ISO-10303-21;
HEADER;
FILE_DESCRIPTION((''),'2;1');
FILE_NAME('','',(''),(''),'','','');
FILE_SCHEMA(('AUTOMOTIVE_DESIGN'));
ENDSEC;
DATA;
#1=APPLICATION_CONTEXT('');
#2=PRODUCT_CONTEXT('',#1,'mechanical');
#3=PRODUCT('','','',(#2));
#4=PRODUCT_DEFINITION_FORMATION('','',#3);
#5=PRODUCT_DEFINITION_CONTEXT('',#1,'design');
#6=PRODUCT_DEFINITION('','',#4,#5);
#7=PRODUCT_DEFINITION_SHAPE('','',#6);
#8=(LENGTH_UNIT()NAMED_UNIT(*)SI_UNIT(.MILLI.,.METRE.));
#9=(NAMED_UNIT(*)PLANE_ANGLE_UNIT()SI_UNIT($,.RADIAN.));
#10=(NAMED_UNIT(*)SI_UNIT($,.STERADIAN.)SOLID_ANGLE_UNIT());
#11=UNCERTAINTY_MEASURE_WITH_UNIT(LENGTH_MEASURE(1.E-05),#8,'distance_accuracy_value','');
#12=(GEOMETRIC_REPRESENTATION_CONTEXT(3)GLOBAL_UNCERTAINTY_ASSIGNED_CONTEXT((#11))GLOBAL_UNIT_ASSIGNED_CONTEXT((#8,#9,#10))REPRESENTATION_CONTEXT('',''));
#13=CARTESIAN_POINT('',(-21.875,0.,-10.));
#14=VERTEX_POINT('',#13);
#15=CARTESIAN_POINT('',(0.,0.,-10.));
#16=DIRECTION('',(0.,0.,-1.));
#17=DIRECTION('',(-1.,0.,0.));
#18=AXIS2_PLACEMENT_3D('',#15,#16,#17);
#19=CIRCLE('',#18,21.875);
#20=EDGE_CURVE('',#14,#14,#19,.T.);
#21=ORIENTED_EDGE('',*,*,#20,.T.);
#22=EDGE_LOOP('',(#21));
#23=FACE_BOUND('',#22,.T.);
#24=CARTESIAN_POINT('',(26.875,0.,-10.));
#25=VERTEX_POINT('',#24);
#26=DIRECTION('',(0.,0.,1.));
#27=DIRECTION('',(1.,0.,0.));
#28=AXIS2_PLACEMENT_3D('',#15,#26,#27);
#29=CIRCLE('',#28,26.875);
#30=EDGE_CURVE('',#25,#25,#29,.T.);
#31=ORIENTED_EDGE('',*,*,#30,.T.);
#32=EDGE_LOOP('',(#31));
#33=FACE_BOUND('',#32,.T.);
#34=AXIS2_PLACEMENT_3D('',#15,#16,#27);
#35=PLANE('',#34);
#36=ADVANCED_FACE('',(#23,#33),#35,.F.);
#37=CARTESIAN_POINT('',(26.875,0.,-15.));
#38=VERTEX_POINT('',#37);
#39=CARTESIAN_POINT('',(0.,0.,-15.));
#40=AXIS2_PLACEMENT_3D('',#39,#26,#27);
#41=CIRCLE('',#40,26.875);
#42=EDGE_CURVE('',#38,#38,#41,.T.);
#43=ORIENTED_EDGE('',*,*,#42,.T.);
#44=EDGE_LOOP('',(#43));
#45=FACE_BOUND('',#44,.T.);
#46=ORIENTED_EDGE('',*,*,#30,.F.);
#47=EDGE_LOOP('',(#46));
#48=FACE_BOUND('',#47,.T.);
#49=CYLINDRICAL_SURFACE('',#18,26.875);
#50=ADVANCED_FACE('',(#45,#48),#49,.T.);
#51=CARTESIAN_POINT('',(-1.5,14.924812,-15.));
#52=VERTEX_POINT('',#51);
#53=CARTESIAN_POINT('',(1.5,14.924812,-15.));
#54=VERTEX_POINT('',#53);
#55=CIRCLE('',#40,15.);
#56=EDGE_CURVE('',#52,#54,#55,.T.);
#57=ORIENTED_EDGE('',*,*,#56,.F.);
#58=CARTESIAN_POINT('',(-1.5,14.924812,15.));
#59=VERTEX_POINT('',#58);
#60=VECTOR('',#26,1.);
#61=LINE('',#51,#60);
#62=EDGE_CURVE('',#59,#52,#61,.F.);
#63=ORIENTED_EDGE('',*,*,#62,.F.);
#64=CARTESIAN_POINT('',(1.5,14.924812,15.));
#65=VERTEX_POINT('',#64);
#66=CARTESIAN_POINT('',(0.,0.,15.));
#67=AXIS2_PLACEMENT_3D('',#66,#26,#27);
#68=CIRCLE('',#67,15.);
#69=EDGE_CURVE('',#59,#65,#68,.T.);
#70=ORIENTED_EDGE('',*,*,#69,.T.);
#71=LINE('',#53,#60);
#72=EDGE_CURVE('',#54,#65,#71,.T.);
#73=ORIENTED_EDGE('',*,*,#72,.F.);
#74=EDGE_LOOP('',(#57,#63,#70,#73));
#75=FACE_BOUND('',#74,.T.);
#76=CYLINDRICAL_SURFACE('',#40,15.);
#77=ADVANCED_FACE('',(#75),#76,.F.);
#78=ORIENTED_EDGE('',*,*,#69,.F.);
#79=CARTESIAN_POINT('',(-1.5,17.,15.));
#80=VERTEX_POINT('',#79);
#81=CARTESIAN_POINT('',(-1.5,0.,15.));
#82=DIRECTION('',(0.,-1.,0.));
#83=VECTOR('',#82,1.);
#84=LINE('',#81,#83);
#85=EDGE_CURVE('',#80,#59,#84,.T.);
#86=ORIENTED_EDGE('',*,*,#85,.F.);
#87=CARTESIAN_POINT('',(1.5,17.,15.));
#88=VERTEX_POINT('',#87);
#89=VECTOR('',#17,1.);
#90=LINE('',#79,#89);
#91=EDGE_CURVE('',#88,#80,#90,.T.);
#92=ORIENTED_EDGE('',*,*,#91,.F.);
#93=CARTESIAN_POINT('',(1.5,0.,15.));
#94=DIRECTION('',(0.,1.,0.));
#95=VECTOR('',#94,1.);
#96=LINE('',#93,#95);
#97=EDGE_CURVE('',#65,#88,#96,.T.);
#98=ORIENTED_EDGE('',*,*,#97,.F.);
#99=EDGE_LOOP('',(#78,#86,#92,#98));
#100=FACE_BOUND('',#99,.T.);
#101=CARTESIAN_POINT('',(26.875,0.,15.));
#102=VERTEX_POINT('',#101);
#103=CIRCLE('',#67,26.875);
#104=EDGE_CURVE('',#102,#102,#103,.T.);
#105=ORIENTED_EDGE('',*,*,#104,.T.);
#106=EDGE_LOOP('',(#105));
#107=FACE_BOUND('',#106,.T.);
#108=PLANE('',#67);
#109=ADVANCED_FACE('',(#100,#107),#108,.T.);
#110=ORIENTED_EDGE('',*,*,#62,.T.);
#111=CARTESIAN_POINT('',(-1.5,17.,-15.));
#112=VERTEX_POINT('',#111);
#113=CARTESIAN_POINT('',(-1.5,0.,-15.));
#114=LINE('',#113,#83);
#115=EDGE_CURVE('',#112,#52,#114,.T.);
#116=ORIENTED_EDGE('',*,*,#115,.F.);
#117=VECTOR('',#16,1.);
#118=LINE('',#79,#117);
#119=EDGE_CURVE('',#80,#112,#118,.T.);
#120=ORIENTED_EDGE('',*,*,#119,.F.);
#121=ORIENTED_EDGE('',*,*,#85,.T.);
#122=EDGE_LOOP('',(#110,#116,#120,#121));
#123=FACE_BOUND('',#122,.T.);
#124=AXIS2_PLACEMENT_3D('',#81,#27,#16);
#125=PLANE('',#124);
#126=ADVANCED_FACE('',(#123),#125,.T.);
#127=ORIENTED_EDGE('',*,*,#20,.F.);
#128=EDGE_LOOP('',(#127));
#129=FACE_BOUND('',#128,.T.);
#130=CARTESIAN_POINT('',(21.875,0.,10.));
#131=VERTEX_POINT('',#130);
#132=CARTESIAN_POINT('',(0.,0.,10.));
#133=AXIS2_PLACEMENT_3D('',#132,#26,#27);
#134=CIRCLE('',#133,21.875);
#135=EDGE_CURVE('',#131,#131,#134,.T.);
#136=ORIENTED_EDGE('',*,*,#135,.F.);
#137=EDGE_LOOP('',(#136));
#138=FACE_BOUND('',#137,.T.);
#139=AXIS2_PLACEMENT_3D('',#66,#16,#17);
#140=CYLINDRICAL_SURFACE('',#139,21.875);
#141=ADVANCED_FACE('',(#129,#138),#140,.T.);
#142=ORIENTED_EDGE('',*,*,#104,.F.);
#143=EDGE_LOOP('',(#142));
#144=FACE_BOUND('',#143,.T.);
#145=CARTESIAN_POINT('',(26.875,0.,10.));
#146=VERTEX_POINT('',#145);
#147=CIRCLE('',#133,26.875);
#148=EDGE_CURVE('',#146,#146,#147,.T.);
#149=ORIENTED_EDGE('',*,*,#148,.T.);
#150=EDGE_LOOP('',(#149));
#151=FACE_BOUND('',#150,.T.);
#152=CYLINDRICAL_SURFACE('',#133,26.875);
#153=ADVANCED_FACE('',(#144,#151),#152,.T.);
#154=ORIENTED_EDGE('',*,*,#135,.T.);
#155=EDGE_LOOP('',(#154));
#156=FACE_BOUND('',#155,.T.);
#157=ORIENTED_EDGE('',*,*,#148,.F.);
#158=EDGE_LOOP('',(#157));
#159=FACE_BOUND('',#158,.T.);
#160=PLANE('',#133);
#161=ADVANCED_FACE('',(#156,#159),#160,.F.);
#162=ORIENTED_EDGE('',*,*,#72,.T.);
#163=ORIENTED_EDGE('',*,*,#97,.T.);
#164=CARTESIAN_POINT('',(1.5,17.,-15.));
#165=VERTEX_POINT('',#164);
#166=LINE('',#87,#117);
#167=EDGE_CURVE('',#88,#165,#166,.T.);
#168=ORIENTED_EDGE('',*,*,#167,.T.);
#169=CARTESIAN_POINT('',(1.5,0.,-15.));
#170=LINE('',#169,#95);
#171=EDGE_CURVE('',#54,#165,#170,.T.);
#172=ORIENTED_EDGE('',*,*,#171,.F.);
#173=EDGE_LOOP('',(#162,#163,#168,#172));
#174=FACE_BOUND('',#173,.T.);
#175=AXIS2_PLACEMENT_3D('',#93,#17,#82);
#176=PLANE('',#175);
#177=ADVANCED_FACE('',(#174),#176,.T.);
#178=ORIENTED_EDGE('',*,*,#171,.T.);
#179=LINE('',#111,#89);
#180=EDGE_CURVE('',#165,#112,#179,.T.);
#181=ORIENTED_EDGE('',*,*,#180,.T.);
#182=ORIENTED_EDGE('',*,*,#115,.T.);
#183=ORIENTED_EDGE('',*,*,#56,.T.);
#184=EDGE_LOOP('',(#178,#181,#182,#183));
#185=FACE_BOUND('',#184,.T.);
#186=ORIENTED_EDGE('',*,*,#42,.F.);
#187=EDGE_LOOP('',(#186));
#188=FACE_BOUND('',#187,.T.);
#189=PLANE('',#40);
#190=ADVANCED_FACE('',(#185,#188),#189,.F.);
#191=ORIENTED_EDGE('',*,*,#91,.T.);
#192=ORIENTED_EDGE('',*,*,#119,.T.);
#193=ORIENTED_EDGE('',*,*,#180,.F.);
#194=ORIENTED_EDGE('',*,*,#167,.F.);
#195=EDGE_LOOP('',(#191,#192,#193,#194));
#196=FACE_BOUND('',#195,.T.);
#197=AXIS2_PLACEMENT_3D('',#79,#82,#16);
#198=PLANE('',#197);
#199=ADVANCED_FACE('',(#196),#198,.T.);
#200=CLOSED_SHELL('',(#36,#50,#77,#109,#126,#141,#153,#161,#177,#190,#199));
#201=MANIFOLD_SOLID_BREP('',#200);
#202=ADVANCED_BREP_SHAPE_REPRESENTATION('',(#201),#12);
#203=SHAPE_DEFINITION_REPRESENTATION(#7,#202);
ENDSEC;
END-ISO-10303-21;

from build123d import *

# Parameters (mm, degrees)
SKETCH_1_R               = 21.875
EXTRUDE_1_DEPTH          = 15
PATTERN_CIRCULAR_1_COUNT = 20
SKETCH_3_R               = 15
CUT_EXTRUDE_1_DEPTH      = 44.09328544
CUT_EXTRUDE_4_DEPTH      = 35.380681349
CUT_EXTRUDE_4_DEPTH_BACK = 35.380681349
SKETCH_6_W               = 3
SKETCH_6_H               = 17
SKETCH_7_R               = 26.875
SKETCH_7_R_2             = 21.875
EXTRUDE_2_DEPTH          = 5


with BuildPart() as part:
    # 草图1 → 凸台-拉伸1 (new, symmetric)
    with BuildSketch(Plane.XY):
        Circle(SKETCH_1_R)
    extrude(amount=EXTRUDE_1_DEPTH, both=True)


with BuildPart() as pattern_circular_1_1:
    # 阵列(圆周)1: pattern copy
    add(part.part.rotate(Axis((0, 0, 15), (0, 0, 1)), 1 * 360 / PATTERN_CIRCULAR_1_COUNT))


with BuildPart() as pattern_circular_1_2:
    # 阵列(圆周)1: pattern copy
    add(part.part.rotate(Axis((0, 0, 15), (0, 0, 1)), 2 * 360 / PATTERN_CIRCULAR_1_COUNT))


with BuildPart() as pattern_circular_1_3:
    # 阵列(圆周)1: pattern copy
    add(part.part.rotate(Axis((0, 0, 15), (0, 0, 1)), 3 * 360 / PATTERN_CIRCULAR_1_COUNT))


with BuildPart() as pattern_circular_1_4:
    # 阵列(圆周)1: pattern copy
    add(part.part.rotate(Axis((0, 0, 15), (0, 0, 1)), 4 * 360 / PATTERN_CIRCULAR_1_COUNT))


with BuildPart() as pattern_circular_1_5:
    # 阵列(圆周)1: pattern copy
    add(part.part.rotate(Axis((0, 0, 15), (0, 0, 1)), 5 * 360 / PATTERN_CIRCULAR_1_COUNT))


with BuildPart() as pattern_circular_1_6:
    # 阵列(圆周)1: pattern copy
    add(part.part.rotate(Axis((0, 0, 15), (0, 0, 1)), 6 * 360 / PATTERN_CIRCULAR_1_COUNT))


with BuildPart() as pattern_circular_1_7:
    # 阵列(圆周)1: pattern copy
    add(part.part.rotate(Axis((0, 0, 15), (0, 0, 1)), 7 * 360 / PATTERN_CIRCULAR_1_COUNT))


with BuildPart() as pattern_circular_1_8:
    # 阵列(圆周)1: pattern copy
    add(part.part.rotate(Axis((0, 0, 15), (0, 0, 1)), 8 * 360 / PATTERN_CIRCULAR_1_COUNT))


with BuildPart() as pattern_circular_1_9:
    # 阵列(圆周)1: pattern copy
    add(part.part.rotate(Axis((0, 0, 15), (0, 0, 1)), 9 * 360 / PATTERN_CIRCULAR_1_COUNT))


with BuildPart() as pattern_circular_1_10:
    # 阵列(圆周)1: pattern copy
    add(part.part.rotate(Axis((0, 0, 15), (0, 0, 1)), 10 * 360 / PATTERN_CIRCULAR_1_COUNT))


with BuildPart() as pattern_circular_1_11:
    # 阵列(圆周)1: pattern copy
    add(part.part.rotate(Axis((0, 0, 15), (0, 0, 1)), 11 * 360 / PATTERN_CIRCULAR_1_COUNT))


with BuildPart() as pattern_circular_1_12:
    # 阵列(圆周)1: pattern copy
    add(part.part.rotate(Axis((0, 0, 15), (0, 0, 1)), 12 * 360 / PATTERN_CIRCULAR_1_COUNT))


with BuildPart() as pattern_circular_1_13:
    # 阵列(圆周)1: pattern copy
    add(part.part.rotate(Axis((0, 0, 15), (0, 0, 1)), 13 * 360 / PATTERN_CIRCULAR_1_COUNT))


with BuildPart() as pattern_circular_1_14:
    # 阵列(圆周)1: pattern copy
    add(part.part.rotate(Axis((0, 0, 15), (0, 0, 1)), 14 * 360 / PATTERN_CIRCULAR_1_COUNT))


with BuildPart() as pattern_circular_1_15:
    # 阵列(圆周)1: pattern copy
    add(part.part.rotate(Axis((0, 0, 15), (0, 0, 1)), 15 * 360 / PATTERN_CIRCULAR_1_COUNT))


with BuildPart() as pattern_circular_1_16:
    # 阵列(圆周)1: pattern copy
    add(part.part.rotate(Axis((0, 0, 15), (0, 0, 1)), 16 * 360 / PATTERN_CIRCULAR_1_COUNT))


with BuildPart() as pattern_circular_1_17:
    # 阵列(圆周)1: pattern copy
    add(part.part.rotate(Axis((0, 0, 15), (0, 0, 1)), 17 * 360 / PATTERN_CIRCULAR_1_COUNT))


with BuildPart() as pattern_circular_1_18:
    # 阵列(圆周)1: pattern copy
    add(part.part.rotate(Axis((0, 0, 15), (0, 0, 1)), 18 * 360 / PATTERN_CIRCULAR_1_COUNT))


with BuildPart() as pattern_circular_1_19:
    # 阵列(圆周)1: pattern copy
    add(part.part.rotate(Axis((0, 0, 15), (0, 0, 1)), 19 * 360 / PATTERN_CIRCULAR_1_COUNT))


with BuildPart() as cut_extrude_1_tool:
    # 草图3 → 切除-拉伸1 (new, through all)
    with BuildSketch(Plane.XY.offset(15)):
        Circle(SKETCH_3_R)
    extrude(amount=-CUT_EXTRUDE_1_DEPTH)


with BuildPart() as part_1:
    add(part.part)

    # 切除-拉伸1: cut by cut_extrude_1_tool
    add(cut_extrude_1_tool.part, mode=Mode.SUBTRACT)


with BuildPart() as pattern_circular_1_1_1:
    add(pattern_circular_1_1.part)

    # 切除-拉伸1: cut by cut_extrude_1_tool
    add(cut_extrude_1_tool.part, mode=Mode.SUBTRACT)


with BuildPart() as pattern_circular_1_2_1:
    add(pattern_circular_1_2.part)

    # 切除-拉伸1: cut by cut_extrude_1_tool
    add(cut_extrude_1_tool.part, mode=Mode.SUBTRACT)


with BuildPart() as pattern_circular_1_3_1:
    add(pattern_circular_1_3.part)

    # 切除-拉伸1: cut by cut_extrude_1_tool
    add(cut_extrude_1_tool.part, mode=Mode.SUBTRACT)


with BuildPart() as pattern_circular_1_4_1:
    add(pattern_circular_1_4.part)

    # 切除-拉伸1: cut by cut_extrude_1_tool
    add(cut_extrude_1_tool.part, mode=Mode.SUBTRACT)


with BuildPart() as pattern_circular_1_5_1:
    add(pattern_circular_1_5.part)

    # 切除-拉伸1: cut by cut_extrude_1_tool
    add(cut_extrude_1_tool.part, mode=Mode.SUBTRACT)


with BuildPart() as pattern_circular_1_6_1:
    add(pattern_circular_1_6.part)

    # 切除-拉伸1: cut by cut_extrude_1_tool
    add(cut_extrude_1_tool.part, mode=Mode.SUBTRACT)


with BuildPart() as pattern_circular_1_7_1:
    add(pattern_circular_1_7.part)

    # 切除-拉伸1: cut by cut_extrude_1_tool
    add(cut_extrude_1_tool.part, mode=Mode.SUBTRACT)


with BuildPart() as pattern_circular_1_8_1:
    add(pattern_circular_1_8.part)

    # 切除-拉伸1: cut by cut_extrude_1_tool
    add(cut_extrude_1_tool.part, mode=Mode.SUBTRACT)


with BuildPart() as pattern_circular_1_9_1:
    add(pattern_circular_1_9.part)

    # 切除-拉伸1: cut by cut_extrude_1_tool
    add(cut_extrude_1_tool.part, mode=Mode.SUBTRACT)


with BuildPart() as pattern_circular_1_10_1:
    add(pattern_circular_1_10.part)

    # 切除-拉伸1: cut by cut_extrude_1_tool
    add(cut_extrude_1_tool.part, mode=Mode.SUBTRACT)


with BuildPart() as pattern_circular_1_11_1:
    add(pattern_circular_1_11.part)

    # 切除-拉伸1: cut by cut_extrude_1_tool
    add(cut_extrude_1_tool.part, mode=Mode.SUBTRACT)


with BuildPart() as pattern_circular_1_12_1:
    add(pattern_circular_1_12.part)

    # 切除-拉伸1: cut by cut_extrude_1_tool
    add(cut_extrude_1_tool.part, mode=Mode.SUBTRACT)


with BuildPart() as pattern_circular_1_13_1:
    add(pattern_circular_1_13.part)

    # 切除-拉伸1: cut by cut_extrude_1_tool
    add(cut_extrude_1_tool.part, mode=Mode.SUBTRACT)


with BuildPart() as pattern_circular_1_14_1:
    add(pattern_circular_1_14.part)

    # 切除-拉伸1: cut by cut_extrude_1_tool
    add(cut_extrude_1_tool.part, mode=Mode.SUBTRACT)


with BuildPart() as pattern_circular_1_15_1:
    add(pattern_circular_1_15.part)

    # 切除-拉伸1: cut by cut_extrude_1_tool
    add(cut_extrude_1_tool.part, mode=Mode.SUBTRACT)


with BuildPart() as pattern_circular_1_16_1:
    add(pattern_circular_1_16.part)

    # 切除-拉伸1: cut by cut_extrude_1_tool
    add(cut_extrude_1_tool.part, mode=Mode.SUBTRACT)


with BuildPart() as pattern_circular_1_17_1:
    add(pattern_circular_1_17.part)

    # 切除-拉伸1: cut by cut_extrude_1_tool
    add(cut_extrude_1_tool.part, mode=Mode.SUBTRACT)


with BuildPart() as pattern_circular_1_18_1:
    add(pattern_circular_1_18.part)

    # 切除-拉伸1: cut by cut_extrude_1_tool
    add(cut_extrude_1_tool.part, mode=Mode.SUBTRACT)


with BuildPart() as pattern_circular_1_19_1:
    add(pattern_circular_1_19.part)

    # 切除-拉伸1: cut by cut_extrude_1_tool
    add(cut_extrude_1_tool.part, mode=Mode.SUBTRACT)


with BuildPart() as cut_extrude_4_tool:
    # 草图6 → 切除-拉伸4 (new, two sides: drawn at the far end of the back side and taken through both)
    with BuildSketch(Plane.XY.offset(-CUT_EXTRUDE_4_DEPTH_BACK)):
        with Locations((0, 8.5)):
            Rectangle(SKETCH_6_W, SKETCH_6_H)
    extrude(amount=CUT_EXTRUDE_4_DEPTH + CUT_EXTRUDE_4_DEPTH_BACK)


with BuildPart() as part_2:
    add(part_1.part)

    # 切除-拉伸4: cut by cut_extrude_4_tool
    add(cut_extrude_4_tool.part, mode=Mode.SUBTRACT)



with BuildPart() as pattern_circular_1_1_2:
    add(pattern_circular_1_1_1.part)

    # 切除-拉伸4: cut by cut_extrude_4_tool
    add(cut_extrude_4_tool.part, mode=Mode.SUBTRACT)


with BuildPart() as pattern_circular_1_2_2:
    add(pattern_circular_1_2_1.part)

    # 切除-拉伸4: cut by cut_extrude_4_tool
    add(cut_extrude_4_tool.part, mode=Mode.SUBTRACT)


with BuildPart() as pattern_circular_1_3_2:
    add(pattern_circular_1_3_1.part)

    # 切除-拉伸4: cut by cut_extrude_4_tool
    add(cut_extrude_4_tool.part, mode=Mode.SUBTRACT)


with BuildPart() as pattern_circular_1_4_2:
    add(pattern_circular_1_4_1.part)

    # 切除-拉伸4: cut by cut_extrude_4_tool
    add(cut_extrude_4_tool.part, mode=Mode.SUBTRACT)


with BuildPart() as pattern_circular_1_5_2:
    add(pattern_circular_1_5_1.part)

    # 切除-拉伸4: cut by cut_extrude_4_tool
    add(cut_extrude_4_tool.part, mode=Mode.SUBTRACT)


with BuildPart() as pattern_circular_1_6_2:
    add(pattern_circular_1_6_1.part)

    # 切除-拉伸4: cut by cut_extrude_4_tool
    add(cut_extrude_4_tool.part, mode=Mode.SUBTRACT)


with BuildPart() as pattern_circular_1_7_2:
    add(pattern_circular_1_7_1.part)

    # 切除-拉伸4: cut by cut_extrude_4_tool
    add(cut_extrude_4_tool.part, mode=Mode.SUBTRACT)


with BuildPart() as pattern_circular_1_8_2:
    add(pattern_circular_1_8_1.part)

    # 切除-拉伸4: cut by cut_extrude_4_tool
    add(cut_extrude_4_tool.part, mode=Mode.SUBTRACT)


with BuildPart() as pattern_circular_1_9_2:
    add(pattern_circular_1_9_1.part)

    # 切除-拉伸4: cut by cut_extrude_4_tool
    add(cut_extrude_4_tool.part, mode=Mode.SUBTRACT)


with BuildPart() as pattern_circular_1_10_2:
    add(pattern_circular_1_10_1.part)

    # 切除-拉伸4: cut by cut_extrude_4_tool
    add(cut_extrude_4_tool.part, mode=Mode.SUBTRACT)


with BuildPart() as pattern_circular_1_11_2:
    add(pattern_circular_1_11_1.part)

    # 切除-拉伸4: cut by cut_extrude_4_tool
    add(cut_extrude_4_tool.part, mode=Mode.SUBTRACT)


with BuildPart() as pattern_circular_1_12_2:
    add(pattern_circular_1_12_1.part)

    # 切除-拉伸4: cut by cut_extrude_4_tool
    add(cut_extrude_4_tool.part, mode=Mode.SUBTRACT)


with BuildPart() as pattern_circular_1_13_2:
    add(pattern_circular_1_13_1.part)

    # 切除-拉伸4: cut by cut_extrude_4_tool
    add(cut_extrude_4_tool.part, mode=Mode.SUBTRACT)


with BuildPart() as pattern_circular_1_14_2:
    add(pattern_circular_1_14_1.part)

    # 切除-拉伸4: cut by cut_extrude_4_tool
    add(cut_extrude_4_tool.part, mode=Mode.SUBTRACT)


with BuildPart() as pattern_circular_1_15_2:
    add(pattern_circular_1_15_1.part)

    # 切除-拉伸4: cut by cut_extrude_4_tool
    add(cut_extrude_4_tool.part, mode=Mode.SUBTRACT)


with BuildPart() as pattern_circular_1_16_2:
    add(pattern_circular_1_16_1.part)

    # 切除-拉伸4: cut by cut_extrude_4_tool
    add(cut_extrude_4_tool.part, mode=Mode.SUBTRACT)


with BuildPart() as pattern_circular_1_17_2:
    add(pattern_circular_1_17_1.part)

    # 切除-拉伸4: cut by cut_extrude_4_tool
    add(cut_extrude_4_tool.part, mode=Mode.SUBTRACT)


with BuildPart() as pattern_circular_1_18_2:
    add(pattern_circular_1_18_1.part)

    # 切除-拉伸4: cut by cut_extrude_4_tool
    add(cut_extrude_4_tool.part, mode=Mode.SUBTRACT)


with BuildPart() as pattern_circular_1_19_2:
    add(pattern_circular_1_19_1.part)

    # 切除-拉伸4: cut by cut_extrude_4_tool
    add(cut_extrude_4_tool.part, mode=Mode.SUBTRACT)


with BuildPart() as part_3:
    add(part_2.part)

    add(pattern_circular_1_1_2.part)  # 凸台-拉伸2 merges 阵列(圆周)1_1

    add(pattern_circular_1_2_2.part)  # 凸台-拉伸2 merges 阵列(圆周)1_2

    add(pattern_circular_1_3_2.part)  # 凸台-拉伸2 merges 阵列(圆周)1_3

    add(pattern_circular_1_4_2.part)  # 凸台-拉伸2 merges 阵列(圆周)1_4

    add(pattern_circular_1_5_2.part)  # 凸台-拉伸2 merges 阵列(圆周)1_5

    add(pattern_circular_1_6_2.part)  # 凸台-拉伸2 merges 阵列(圆周)1_6

    add(pattern_circular_1_7_2.part)  # 凸台-拉伸2 merges 阵列(圆周)1_7

    add(pattern_circular_1_8_2.part)  # 凸台-拉伸2 merges 阵列(圆周)1_8

    add(pattern_circular_1_9_2.part)  # 凸台-拉伸2 merges 阵列(圆周)1_9

    add(pattern_circular_1_10_2.part)  # 凸台-拉伸2 merges 阵列(圆周)1_10

    add(pattern_circular_1_11_2.part)  # 凸台-拉伸2 merges 阵列(圆周)1_11

    add(pattern_circular_1_12_2.part)  # 凸台-拉伸2 merges 阵列(圆周)1_12

    add(pattern_circular_1_13_2.part)  # 凸台-拉伸2 merges 阵列(圆周)1_13

    add(pattern_circular_1_14_2.part)  # 凸台-拉伸2 merges 阵列(圆周)1_14

    add(pattern_circular_1_15_2.part)  # 凸台-拉伸2 merges 阵列(圆周)1_15

    add(pattern_circular_1_16_2.part)  # 凸台-拉伸2 merges 阵列(圆周)1_16

    add(pattern_circular_1_17_2.part)  # 凸台-拉伸2 merges 阵列(圆周)1_17

    add(pattern_circular_1_18_2.part)  # 凸台-拉伸2 merges 阵列(圆周)1_18

    add(pattern_circular_1_19_2.part)  # 凸台-拉伸2 merges 阵列(圆周)1_19
    # 草图7 → 凸台-拉伸2 (add)
    with BuildSketch(Plane.XY.offset(15)):
        Circle(SKETCH_7_R)
        Circle(SKETCH_7_R_2, mode=Mode.SUBTRACT)
    extrude_2 = extrude(amount=-EXTRUDE_2_DEPTH)

    # 镜向1: 凸台-拉伸2 across plane
    add(extrude_2.mirror(Plane.XY))


solid = part_3.part
